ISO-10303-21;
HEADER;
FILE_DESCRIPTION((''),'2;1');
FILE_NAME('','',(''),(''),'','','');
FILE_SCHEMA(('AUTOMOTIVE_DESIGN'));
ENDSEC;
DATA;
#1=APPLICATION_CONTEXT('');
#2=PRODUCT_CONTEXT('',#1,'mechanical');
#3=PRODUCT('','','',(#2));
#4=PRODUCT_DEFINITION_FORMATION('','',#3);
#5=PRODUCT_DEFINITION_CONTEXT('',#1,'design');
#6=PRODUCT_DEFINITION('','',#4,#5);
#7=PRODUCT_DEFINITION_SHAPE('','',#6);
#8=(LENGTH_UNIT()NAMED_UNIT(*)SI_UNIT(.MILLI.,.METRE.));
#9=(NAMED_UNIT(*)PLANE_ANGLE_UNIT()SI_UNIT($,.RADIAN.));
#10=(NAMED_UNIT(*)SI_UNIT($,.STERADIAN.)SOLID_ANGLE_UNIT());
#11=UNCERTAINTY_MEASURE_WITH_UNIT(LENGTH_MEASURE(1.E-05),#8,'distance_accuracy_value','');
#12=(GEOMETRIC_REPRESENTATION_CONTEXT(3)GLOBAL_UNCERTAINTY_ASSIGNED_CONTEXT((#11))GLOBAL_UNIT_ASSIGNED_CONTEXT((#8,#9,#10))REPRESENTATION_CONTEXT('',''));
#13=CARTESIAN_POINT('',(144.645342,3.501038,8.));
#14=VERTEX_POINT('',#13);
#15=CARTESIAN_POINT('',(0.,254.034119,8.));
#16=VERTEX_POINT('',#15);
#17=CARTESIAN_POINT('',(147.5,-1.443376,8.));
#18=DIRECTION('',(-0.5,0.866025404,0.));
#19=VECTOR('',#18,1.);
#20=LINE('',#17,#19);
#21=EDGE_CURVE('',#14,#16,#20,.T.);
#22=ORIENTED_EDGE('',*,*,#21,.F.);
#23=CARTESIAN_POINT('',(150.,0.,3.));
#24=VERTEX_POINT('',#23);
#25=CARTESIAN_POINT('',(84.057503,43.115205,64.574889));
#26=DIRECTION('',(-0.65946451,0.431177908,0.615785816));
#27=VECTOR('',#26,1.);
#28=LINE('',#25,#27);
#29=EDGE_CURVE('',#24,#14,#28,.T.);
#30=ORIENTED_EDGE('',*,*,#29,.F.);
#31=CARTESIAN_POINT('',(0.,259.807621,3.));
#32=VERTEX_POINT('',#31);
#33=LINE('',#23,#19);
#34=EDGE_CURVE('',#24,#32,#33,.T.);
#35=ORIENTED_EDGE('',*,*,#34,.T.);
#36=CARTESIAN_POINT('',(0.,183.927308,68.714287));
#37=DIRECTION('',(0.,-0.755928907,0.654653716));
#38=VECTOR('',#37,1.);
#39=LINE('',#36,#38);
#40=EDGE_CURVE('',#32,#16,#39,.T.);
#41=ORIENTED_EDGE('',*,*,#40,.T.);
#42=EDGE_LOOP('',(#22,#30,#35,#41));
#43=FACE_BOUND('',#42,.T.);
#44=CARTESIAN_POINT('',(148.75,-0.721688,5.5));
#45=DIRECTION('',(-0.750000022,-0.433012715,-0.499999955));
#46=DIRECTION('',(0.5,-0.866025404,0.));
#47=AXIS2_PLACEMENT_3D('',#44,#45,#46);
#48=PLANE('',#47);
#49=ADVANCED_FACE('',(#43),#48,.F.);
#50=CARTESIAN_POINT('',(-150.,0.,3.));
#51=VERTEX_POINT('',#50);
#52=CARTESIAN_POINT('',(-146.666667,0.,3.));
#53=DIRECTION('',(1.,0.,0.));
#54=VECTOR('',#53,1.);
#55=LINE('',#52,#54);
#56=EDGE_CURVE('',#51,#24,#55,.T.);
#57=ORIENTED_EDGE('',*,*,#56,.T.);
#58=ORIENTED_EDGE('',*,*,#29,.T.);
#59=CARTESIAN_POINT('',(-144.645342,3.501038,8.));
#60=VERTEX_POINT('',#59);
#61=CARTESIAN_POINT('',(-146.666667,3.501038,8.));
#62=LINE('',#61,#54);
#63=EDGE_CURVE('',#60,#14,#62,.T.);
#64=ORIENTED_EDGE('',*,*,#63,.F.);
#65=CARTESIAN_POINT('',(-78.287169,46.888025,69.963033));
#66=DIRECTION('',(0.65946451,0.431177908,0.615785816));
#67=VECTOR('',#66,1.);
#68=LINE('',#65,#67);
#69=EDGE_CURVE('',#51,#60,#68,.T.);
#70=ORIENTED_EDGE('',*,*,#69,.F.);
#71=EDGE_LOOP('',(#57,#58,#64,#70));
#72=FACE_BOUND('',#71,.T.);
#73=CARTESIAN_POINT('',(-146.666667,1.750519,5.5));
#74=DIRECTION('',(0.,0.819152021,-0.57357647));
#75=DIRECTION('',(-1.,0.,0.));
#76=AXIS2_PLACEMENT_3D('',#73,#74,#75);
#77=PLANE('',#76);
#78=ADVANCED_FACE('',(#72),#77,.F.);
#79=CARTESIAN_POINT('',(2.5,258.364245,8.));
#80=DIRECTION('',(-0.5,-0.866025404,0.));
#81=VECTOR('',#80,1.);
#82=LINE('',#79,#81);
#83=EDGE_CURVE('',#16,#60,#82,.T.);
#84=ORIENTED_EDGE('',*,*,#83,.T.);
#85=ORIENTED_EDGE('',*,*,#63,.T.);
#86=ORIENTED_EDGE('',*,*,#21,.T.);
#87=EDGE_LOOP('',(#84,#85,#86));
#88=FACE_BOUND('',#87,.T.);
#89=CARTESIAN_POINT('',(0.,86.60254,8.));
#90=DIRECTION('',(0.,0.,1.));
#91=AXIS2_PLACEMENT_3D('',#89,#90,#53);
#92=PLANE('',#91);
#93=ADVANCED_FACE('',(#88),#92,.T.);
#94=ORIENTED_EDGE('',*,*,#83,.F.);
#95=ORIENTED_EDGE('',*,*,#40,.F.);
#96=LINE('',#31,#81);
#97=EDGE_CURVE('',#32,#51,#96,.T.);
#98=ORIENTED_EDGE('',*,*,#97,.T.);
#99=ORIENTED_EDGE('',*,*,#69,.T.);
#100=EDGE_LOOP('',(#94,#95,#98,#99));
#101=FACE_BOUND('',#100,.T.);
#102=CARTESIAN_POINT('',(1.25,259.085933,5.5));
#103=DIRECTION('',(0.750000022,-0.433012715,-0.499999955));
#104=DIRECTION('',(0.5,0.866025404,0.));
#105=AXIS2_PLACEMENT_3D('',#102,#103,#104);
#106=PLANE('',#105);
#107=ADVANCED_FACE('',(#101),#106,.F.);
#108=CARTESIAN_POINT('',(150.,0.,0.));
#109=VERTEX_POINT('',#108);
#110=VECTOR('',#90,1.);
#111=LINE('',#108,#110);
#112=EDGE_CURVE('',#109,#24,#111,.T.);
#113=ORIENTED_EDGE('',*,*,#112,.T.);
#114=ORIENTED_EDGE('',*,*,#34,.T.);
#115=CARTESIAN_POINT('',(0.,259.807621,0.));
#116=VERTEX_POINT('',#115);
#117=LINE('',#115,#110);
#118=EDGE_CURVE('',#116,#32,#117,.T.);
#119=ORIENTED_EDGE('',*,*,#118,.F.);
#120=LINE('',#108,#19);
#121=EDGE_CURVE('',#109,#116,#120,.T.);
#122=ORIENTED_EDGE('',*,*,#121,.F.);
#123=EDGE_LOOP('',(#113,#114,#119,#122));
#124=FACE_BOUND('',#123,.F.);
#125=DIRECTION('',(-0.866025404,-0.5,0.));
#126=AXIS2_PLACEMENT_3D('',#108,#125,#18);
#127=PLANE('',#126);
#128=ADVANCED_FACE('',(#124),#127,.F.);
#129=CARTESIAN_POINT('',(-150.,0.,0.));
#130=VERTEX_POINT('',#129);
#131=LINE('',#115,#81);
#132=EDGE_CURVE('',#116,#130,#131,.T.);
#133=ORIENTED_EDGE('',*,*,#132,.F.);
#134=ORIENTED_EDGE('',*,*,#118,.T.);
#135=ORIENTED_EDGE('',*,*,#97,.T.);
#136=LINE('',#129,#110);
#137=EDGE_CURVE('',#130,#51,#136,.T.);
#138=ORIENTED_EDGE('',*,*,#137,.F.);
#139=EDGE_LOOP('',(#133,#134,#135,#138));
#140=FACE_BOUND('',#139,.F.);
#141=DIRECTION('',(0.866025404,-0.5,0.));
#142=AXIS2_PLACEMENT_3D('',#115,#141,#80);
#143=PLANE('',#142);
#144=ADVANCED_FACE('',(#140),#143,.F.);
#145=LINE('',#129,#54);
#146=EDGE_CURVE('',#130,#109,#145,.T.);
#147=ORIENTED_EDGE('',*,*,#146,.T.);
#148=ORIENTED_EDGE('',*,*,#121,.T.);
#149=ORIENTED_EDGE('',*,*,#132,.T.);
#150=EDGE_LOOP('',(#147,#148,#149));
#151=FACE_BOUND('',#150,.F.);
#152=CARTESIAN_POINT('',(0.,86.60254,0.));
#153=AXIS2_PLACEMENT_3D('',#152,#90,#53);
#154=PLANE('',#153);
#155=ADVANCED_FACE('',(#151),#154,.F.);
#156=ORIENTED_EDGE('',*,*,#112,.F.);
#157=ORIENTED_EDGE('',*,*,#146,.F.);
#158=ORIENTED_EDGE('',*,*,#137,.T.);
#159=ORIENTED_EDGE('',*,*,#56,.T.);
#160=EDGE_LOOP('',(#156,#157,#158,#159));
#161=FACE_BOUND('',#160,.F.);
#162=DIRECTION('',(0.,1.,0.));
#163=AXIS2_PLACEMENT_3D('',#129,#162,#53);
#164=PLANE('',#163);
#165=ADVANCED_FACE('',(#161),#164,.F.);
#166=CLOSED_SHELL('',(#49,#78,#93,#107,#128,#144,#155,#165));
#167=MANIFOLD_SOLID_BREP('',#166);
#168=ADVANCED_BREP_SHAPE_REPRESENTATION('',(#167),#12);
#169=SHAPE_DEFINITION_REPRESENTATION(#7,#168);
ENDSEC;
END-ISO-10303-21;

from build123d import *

# Parameters (mm, degrees)
F1_DEPTH = 8
F2_SIZE2 = 2.886751
F2_SIZE  = 5
F3_SIZE2 = 3.501038
F3_SIZE  = 5


with BuildPart() as f1:
    # F0 (on Top) → F1 (new body)
    with BuildSketch(Plane.XY):
        Polygon((-150, 0), (150, 0), (0, 259.807621), align=None)
    extrude(amount=F1_DEPTH)

    # F2
    f2_edges = [f1.edges().sort_by_distance(p)[0] for p in [
        (-75, 129.903811, 8),
        (75, 129.903811, 8),
    ]]
    chamfer(f2_edges, length=F2_SIZE, length2=F2_SIZE2)

    # F3
    f3_edges = [f1.edges().sort_by_distance(p)[0] for p in [
        (0, 0, 8),
    ]]
    chamfer(f3_edges, length=F3_SIZE, length2=F3_SIZE2)


solid = f1.part
